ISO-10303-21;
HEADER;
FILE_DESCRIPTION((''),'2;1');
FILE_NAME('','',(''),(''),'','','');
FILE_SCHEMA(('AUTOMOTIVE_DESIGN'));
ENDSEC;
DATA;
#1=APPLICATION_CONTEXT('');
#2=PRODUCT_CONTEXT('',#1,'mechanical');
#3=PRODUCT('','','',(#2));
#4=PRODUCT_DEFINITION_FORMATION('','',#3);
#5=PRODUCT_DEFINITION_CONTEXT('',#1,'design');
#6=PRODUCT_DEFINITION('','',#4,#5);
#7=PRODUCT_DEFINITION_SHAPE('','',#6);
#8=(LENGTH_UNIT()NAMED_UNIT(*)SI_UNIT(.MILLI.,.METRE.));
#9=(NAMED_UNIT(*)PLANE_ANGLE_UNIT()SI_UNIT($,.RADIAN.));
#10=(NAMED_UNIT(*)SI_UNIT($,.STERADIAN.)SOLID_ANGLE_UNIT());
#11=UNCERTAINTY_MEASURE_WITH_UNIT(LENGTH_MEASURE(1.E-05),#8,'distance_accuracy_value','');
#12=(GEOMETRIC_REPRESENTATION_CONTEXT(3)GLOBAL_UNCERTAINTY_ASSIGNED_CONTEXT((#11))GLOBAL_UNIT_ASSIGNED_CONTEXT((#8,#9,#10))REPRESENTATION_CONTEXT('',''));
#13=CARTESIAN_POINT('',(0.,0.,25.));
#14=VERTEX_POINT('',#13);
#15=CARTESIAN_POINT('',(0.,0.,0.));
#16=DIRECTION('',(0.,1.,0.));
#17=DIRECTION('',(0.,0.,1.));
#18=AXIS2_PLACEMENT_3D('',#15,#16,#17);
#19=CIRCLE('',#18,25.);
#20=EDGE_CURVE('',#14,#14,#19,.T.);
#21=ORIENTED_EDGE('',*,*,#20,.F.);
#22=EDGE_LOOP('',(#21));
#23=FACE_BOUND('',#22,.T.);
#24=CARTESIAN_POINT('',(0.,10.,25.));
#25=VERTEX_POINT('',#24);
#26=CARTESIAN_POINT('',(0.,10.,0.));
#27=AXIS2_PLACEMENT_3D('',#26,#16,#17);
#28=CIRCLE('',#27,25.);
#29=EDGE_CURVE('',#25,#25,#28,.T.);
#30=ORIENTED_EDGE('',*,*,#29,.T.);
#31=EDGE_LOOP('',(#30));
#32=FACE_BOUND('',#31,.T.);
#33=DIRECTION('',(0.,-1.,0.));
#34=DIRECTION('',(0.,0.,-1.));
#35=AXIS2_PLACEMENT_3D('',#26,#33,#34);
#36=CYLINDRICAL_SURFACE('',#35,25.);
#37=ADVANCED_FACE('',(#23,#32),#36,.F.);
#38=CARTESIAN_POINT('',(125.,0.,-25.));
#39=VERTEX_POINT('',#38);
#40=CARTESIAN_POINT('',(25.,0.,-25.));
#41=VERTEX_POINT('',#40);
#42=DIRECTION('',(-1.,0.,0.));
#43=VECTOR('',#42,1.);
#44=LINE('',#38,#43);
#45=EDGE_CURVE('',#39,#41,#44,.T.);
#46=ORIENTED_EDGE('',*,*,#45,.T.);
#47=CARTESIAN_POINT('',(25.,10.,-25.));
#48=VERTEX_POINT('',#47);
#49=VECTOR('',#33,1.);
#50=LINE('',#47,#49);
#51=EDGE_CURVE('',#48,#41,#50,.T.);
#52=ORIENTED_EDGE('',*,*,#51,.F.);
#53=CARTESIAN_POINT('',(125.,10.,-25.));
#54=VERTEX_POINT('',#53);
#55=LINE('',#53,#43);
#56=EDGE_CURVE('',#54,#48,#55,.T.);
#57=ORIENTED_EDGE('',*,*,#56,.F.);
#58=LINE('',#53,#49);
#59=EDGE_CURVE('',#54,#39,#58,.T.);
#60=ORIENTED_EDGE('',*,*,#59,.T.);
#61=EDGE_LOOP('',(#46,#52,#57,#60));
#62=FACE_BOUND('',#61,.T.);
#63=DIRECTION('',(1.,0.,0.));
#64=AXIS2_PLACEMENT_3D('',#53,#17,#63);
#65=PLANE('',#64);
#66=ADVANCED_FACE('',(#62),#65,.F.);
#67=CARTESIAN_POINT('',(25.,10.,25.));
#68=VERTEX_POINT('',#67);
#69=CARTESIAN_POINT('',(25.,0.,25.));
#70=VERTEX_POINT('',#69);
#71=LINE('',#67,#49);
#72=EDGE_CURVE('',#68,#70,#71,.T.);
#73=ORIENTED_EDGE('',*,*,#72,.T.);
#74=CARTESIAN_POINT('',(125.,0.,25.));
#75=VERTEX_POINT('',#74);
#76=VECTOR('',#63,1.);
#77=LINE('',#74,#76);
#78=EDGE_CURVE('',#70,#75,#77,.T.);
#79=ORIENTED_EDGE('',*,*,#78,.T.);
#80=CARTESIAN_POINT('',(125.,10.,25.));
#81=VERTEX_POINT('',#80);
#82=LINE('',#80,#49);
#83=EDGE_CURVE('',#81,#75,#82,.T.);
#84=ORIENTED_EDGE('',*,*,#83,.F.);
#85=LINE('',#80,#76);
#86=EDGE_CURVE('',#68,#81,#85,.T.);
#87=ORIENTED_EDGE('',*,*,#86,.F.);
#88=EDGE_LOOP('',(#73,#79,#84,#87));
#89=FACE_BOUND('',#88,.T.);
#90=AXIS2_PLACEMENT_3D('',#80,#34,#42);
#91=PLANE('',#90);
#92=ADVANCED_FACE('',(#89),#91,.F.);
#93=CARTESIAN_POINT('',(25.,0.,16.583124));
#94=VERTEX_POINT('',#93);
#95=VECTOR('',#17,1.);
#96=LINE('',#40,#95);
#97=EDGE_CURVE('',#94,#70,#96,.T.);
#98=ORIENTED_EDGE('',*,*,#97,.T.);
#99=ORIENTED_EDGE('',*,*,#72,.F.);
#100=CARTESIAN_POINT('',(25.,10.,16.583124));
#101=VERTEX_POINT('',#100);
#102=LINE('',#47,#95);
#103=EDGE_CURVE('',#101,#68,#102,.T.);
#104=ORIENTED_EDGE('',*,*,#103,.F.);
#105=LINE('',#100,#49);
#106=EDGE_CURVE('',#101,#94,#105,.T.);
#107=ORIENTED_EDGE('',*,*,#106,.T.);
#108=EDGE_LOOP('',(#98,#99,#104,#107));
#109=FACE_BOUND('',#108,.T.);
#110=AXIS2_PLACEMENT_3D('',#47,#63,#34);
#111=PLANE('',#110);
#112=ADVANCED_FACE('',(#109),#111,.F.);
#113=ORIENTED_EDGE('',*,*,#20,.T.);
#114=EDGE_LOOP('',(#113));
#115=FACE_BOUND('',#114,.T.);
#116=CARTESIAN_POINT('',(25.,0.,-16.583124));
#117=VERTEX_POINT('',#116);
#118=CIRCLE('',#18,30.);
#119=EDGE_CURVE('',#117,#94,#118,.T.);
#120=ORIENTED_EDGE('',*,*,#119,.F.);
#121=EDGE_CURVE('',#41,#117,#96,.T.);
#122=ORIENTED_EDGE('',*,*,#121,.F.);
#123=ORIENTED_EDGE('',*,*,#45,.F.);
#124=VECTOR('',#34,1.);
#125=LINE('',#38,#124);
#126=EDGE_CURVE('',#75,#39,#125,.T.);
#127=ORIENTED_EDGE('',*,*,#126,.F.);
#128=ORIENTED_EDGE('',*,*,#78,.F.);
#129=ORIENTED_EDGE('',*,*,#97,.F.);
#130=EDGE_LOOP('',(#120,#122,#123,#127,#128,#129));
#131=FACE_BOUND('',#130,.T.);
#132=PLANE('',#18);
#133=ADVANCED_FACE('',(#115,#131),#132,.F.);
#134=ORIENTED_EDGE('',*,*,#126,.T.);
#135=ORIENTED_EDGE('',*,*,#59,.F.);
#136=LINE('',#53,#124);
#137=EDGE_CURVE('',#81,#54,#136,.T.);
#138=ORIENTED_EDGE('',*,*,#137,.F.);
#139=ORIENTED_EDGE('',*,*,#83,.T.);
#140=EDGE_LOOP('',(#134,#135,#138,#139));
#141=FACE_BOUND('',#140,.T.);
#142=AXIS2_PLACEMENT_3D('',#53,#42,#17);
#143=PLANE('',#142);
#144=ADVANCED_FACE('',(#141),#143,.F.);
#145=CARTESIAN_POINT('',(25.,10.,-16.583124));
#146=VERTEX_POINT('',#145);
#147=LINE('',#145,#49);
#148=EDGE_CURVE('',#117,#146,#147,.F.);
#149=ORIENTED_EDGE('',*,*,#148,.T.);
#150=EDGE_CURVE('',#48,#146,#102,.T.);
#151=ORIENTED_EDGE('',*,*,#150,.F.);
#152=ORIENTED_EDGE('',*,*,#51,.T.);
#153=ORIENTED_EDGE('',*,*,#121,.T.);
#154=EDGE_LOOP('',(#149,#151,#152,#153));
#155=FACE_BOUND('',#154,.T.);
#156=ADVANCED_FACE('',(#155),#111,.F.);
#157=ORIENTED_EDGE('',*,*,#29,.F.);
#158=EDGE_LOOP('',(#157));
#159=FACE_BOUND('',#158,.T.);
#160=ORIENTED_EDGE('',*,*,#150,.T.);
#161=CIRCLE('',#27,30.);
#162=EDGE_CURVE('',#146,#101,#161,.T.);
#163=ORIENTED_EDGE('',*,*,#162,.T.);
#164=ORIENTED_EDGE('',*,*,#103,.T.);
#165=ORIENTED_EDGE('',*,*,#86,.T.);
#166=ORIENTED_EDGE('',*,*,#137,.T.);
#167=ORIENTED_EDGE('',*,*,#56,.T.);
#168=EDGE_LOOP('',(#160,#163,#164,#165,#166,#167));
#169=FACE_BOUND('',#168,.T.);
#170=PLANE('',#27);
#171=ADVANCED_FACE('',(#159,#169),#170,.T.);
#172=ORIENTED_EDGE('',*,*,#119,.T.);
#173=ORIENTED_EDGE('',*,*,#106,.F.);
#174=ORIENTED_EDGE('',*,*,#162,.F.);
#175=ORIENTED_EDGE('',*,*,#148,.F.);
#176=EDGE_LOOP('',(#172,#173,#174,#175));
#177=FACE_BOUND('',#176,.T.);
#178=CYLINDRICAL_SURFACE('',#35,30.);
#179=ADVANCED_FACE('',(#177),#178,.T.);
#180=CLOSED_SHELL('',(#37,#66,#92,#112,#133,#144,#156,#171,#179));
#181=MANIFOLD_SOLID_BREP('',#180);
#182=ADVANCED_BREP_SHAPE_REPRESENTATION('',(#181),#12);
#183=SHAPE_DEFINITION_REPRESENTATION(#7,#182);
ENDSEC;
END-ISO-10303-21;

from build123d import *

# Parameters (mm, degrees)
SKETCH1_R           = 30
SKETCH1_R_2         = 25
BOSS_EXTRUDE1_DEPTH = 10
SKETCH3_W           = 100
SKETCH3_H           = 50
BOSS_EXTRUDE2_DEPTH = 10


with BuildPart() as part:
    # Sketch1 → Boss-Extrude1 (new body)
    with BuildSketch(Plane(origin=(0, 0, 0), x_dir=(1, 0, 0), z_dir=(0, 1, 0))):
        with Locations(Location((0, 0, 0), (0, 0, 270))):
            Circle(SKETCH1_R)
        with Locations(Location((0, 0, 0), (0, 0, 270))):
            Circle(SKETCH1_R_2, mode=Mode.SUBTRACT)
    extrude(amount=BOSS_EXTRUDE1_DEPTH)

    # Sketch3 → Boss-Extrude2 (add)
    with BuildSketch(Plane(origin=(0, 0, 0), x_dir=(1, 0, 0), z_dir=(0, 1, 0))):
        with Locations((75, 0)):
            Rectangle(SKETCH3_W, SKETCH3_H)
    extrude(amount=BOSS_EXTRUDE2_DEPTH)


solid = part.part
